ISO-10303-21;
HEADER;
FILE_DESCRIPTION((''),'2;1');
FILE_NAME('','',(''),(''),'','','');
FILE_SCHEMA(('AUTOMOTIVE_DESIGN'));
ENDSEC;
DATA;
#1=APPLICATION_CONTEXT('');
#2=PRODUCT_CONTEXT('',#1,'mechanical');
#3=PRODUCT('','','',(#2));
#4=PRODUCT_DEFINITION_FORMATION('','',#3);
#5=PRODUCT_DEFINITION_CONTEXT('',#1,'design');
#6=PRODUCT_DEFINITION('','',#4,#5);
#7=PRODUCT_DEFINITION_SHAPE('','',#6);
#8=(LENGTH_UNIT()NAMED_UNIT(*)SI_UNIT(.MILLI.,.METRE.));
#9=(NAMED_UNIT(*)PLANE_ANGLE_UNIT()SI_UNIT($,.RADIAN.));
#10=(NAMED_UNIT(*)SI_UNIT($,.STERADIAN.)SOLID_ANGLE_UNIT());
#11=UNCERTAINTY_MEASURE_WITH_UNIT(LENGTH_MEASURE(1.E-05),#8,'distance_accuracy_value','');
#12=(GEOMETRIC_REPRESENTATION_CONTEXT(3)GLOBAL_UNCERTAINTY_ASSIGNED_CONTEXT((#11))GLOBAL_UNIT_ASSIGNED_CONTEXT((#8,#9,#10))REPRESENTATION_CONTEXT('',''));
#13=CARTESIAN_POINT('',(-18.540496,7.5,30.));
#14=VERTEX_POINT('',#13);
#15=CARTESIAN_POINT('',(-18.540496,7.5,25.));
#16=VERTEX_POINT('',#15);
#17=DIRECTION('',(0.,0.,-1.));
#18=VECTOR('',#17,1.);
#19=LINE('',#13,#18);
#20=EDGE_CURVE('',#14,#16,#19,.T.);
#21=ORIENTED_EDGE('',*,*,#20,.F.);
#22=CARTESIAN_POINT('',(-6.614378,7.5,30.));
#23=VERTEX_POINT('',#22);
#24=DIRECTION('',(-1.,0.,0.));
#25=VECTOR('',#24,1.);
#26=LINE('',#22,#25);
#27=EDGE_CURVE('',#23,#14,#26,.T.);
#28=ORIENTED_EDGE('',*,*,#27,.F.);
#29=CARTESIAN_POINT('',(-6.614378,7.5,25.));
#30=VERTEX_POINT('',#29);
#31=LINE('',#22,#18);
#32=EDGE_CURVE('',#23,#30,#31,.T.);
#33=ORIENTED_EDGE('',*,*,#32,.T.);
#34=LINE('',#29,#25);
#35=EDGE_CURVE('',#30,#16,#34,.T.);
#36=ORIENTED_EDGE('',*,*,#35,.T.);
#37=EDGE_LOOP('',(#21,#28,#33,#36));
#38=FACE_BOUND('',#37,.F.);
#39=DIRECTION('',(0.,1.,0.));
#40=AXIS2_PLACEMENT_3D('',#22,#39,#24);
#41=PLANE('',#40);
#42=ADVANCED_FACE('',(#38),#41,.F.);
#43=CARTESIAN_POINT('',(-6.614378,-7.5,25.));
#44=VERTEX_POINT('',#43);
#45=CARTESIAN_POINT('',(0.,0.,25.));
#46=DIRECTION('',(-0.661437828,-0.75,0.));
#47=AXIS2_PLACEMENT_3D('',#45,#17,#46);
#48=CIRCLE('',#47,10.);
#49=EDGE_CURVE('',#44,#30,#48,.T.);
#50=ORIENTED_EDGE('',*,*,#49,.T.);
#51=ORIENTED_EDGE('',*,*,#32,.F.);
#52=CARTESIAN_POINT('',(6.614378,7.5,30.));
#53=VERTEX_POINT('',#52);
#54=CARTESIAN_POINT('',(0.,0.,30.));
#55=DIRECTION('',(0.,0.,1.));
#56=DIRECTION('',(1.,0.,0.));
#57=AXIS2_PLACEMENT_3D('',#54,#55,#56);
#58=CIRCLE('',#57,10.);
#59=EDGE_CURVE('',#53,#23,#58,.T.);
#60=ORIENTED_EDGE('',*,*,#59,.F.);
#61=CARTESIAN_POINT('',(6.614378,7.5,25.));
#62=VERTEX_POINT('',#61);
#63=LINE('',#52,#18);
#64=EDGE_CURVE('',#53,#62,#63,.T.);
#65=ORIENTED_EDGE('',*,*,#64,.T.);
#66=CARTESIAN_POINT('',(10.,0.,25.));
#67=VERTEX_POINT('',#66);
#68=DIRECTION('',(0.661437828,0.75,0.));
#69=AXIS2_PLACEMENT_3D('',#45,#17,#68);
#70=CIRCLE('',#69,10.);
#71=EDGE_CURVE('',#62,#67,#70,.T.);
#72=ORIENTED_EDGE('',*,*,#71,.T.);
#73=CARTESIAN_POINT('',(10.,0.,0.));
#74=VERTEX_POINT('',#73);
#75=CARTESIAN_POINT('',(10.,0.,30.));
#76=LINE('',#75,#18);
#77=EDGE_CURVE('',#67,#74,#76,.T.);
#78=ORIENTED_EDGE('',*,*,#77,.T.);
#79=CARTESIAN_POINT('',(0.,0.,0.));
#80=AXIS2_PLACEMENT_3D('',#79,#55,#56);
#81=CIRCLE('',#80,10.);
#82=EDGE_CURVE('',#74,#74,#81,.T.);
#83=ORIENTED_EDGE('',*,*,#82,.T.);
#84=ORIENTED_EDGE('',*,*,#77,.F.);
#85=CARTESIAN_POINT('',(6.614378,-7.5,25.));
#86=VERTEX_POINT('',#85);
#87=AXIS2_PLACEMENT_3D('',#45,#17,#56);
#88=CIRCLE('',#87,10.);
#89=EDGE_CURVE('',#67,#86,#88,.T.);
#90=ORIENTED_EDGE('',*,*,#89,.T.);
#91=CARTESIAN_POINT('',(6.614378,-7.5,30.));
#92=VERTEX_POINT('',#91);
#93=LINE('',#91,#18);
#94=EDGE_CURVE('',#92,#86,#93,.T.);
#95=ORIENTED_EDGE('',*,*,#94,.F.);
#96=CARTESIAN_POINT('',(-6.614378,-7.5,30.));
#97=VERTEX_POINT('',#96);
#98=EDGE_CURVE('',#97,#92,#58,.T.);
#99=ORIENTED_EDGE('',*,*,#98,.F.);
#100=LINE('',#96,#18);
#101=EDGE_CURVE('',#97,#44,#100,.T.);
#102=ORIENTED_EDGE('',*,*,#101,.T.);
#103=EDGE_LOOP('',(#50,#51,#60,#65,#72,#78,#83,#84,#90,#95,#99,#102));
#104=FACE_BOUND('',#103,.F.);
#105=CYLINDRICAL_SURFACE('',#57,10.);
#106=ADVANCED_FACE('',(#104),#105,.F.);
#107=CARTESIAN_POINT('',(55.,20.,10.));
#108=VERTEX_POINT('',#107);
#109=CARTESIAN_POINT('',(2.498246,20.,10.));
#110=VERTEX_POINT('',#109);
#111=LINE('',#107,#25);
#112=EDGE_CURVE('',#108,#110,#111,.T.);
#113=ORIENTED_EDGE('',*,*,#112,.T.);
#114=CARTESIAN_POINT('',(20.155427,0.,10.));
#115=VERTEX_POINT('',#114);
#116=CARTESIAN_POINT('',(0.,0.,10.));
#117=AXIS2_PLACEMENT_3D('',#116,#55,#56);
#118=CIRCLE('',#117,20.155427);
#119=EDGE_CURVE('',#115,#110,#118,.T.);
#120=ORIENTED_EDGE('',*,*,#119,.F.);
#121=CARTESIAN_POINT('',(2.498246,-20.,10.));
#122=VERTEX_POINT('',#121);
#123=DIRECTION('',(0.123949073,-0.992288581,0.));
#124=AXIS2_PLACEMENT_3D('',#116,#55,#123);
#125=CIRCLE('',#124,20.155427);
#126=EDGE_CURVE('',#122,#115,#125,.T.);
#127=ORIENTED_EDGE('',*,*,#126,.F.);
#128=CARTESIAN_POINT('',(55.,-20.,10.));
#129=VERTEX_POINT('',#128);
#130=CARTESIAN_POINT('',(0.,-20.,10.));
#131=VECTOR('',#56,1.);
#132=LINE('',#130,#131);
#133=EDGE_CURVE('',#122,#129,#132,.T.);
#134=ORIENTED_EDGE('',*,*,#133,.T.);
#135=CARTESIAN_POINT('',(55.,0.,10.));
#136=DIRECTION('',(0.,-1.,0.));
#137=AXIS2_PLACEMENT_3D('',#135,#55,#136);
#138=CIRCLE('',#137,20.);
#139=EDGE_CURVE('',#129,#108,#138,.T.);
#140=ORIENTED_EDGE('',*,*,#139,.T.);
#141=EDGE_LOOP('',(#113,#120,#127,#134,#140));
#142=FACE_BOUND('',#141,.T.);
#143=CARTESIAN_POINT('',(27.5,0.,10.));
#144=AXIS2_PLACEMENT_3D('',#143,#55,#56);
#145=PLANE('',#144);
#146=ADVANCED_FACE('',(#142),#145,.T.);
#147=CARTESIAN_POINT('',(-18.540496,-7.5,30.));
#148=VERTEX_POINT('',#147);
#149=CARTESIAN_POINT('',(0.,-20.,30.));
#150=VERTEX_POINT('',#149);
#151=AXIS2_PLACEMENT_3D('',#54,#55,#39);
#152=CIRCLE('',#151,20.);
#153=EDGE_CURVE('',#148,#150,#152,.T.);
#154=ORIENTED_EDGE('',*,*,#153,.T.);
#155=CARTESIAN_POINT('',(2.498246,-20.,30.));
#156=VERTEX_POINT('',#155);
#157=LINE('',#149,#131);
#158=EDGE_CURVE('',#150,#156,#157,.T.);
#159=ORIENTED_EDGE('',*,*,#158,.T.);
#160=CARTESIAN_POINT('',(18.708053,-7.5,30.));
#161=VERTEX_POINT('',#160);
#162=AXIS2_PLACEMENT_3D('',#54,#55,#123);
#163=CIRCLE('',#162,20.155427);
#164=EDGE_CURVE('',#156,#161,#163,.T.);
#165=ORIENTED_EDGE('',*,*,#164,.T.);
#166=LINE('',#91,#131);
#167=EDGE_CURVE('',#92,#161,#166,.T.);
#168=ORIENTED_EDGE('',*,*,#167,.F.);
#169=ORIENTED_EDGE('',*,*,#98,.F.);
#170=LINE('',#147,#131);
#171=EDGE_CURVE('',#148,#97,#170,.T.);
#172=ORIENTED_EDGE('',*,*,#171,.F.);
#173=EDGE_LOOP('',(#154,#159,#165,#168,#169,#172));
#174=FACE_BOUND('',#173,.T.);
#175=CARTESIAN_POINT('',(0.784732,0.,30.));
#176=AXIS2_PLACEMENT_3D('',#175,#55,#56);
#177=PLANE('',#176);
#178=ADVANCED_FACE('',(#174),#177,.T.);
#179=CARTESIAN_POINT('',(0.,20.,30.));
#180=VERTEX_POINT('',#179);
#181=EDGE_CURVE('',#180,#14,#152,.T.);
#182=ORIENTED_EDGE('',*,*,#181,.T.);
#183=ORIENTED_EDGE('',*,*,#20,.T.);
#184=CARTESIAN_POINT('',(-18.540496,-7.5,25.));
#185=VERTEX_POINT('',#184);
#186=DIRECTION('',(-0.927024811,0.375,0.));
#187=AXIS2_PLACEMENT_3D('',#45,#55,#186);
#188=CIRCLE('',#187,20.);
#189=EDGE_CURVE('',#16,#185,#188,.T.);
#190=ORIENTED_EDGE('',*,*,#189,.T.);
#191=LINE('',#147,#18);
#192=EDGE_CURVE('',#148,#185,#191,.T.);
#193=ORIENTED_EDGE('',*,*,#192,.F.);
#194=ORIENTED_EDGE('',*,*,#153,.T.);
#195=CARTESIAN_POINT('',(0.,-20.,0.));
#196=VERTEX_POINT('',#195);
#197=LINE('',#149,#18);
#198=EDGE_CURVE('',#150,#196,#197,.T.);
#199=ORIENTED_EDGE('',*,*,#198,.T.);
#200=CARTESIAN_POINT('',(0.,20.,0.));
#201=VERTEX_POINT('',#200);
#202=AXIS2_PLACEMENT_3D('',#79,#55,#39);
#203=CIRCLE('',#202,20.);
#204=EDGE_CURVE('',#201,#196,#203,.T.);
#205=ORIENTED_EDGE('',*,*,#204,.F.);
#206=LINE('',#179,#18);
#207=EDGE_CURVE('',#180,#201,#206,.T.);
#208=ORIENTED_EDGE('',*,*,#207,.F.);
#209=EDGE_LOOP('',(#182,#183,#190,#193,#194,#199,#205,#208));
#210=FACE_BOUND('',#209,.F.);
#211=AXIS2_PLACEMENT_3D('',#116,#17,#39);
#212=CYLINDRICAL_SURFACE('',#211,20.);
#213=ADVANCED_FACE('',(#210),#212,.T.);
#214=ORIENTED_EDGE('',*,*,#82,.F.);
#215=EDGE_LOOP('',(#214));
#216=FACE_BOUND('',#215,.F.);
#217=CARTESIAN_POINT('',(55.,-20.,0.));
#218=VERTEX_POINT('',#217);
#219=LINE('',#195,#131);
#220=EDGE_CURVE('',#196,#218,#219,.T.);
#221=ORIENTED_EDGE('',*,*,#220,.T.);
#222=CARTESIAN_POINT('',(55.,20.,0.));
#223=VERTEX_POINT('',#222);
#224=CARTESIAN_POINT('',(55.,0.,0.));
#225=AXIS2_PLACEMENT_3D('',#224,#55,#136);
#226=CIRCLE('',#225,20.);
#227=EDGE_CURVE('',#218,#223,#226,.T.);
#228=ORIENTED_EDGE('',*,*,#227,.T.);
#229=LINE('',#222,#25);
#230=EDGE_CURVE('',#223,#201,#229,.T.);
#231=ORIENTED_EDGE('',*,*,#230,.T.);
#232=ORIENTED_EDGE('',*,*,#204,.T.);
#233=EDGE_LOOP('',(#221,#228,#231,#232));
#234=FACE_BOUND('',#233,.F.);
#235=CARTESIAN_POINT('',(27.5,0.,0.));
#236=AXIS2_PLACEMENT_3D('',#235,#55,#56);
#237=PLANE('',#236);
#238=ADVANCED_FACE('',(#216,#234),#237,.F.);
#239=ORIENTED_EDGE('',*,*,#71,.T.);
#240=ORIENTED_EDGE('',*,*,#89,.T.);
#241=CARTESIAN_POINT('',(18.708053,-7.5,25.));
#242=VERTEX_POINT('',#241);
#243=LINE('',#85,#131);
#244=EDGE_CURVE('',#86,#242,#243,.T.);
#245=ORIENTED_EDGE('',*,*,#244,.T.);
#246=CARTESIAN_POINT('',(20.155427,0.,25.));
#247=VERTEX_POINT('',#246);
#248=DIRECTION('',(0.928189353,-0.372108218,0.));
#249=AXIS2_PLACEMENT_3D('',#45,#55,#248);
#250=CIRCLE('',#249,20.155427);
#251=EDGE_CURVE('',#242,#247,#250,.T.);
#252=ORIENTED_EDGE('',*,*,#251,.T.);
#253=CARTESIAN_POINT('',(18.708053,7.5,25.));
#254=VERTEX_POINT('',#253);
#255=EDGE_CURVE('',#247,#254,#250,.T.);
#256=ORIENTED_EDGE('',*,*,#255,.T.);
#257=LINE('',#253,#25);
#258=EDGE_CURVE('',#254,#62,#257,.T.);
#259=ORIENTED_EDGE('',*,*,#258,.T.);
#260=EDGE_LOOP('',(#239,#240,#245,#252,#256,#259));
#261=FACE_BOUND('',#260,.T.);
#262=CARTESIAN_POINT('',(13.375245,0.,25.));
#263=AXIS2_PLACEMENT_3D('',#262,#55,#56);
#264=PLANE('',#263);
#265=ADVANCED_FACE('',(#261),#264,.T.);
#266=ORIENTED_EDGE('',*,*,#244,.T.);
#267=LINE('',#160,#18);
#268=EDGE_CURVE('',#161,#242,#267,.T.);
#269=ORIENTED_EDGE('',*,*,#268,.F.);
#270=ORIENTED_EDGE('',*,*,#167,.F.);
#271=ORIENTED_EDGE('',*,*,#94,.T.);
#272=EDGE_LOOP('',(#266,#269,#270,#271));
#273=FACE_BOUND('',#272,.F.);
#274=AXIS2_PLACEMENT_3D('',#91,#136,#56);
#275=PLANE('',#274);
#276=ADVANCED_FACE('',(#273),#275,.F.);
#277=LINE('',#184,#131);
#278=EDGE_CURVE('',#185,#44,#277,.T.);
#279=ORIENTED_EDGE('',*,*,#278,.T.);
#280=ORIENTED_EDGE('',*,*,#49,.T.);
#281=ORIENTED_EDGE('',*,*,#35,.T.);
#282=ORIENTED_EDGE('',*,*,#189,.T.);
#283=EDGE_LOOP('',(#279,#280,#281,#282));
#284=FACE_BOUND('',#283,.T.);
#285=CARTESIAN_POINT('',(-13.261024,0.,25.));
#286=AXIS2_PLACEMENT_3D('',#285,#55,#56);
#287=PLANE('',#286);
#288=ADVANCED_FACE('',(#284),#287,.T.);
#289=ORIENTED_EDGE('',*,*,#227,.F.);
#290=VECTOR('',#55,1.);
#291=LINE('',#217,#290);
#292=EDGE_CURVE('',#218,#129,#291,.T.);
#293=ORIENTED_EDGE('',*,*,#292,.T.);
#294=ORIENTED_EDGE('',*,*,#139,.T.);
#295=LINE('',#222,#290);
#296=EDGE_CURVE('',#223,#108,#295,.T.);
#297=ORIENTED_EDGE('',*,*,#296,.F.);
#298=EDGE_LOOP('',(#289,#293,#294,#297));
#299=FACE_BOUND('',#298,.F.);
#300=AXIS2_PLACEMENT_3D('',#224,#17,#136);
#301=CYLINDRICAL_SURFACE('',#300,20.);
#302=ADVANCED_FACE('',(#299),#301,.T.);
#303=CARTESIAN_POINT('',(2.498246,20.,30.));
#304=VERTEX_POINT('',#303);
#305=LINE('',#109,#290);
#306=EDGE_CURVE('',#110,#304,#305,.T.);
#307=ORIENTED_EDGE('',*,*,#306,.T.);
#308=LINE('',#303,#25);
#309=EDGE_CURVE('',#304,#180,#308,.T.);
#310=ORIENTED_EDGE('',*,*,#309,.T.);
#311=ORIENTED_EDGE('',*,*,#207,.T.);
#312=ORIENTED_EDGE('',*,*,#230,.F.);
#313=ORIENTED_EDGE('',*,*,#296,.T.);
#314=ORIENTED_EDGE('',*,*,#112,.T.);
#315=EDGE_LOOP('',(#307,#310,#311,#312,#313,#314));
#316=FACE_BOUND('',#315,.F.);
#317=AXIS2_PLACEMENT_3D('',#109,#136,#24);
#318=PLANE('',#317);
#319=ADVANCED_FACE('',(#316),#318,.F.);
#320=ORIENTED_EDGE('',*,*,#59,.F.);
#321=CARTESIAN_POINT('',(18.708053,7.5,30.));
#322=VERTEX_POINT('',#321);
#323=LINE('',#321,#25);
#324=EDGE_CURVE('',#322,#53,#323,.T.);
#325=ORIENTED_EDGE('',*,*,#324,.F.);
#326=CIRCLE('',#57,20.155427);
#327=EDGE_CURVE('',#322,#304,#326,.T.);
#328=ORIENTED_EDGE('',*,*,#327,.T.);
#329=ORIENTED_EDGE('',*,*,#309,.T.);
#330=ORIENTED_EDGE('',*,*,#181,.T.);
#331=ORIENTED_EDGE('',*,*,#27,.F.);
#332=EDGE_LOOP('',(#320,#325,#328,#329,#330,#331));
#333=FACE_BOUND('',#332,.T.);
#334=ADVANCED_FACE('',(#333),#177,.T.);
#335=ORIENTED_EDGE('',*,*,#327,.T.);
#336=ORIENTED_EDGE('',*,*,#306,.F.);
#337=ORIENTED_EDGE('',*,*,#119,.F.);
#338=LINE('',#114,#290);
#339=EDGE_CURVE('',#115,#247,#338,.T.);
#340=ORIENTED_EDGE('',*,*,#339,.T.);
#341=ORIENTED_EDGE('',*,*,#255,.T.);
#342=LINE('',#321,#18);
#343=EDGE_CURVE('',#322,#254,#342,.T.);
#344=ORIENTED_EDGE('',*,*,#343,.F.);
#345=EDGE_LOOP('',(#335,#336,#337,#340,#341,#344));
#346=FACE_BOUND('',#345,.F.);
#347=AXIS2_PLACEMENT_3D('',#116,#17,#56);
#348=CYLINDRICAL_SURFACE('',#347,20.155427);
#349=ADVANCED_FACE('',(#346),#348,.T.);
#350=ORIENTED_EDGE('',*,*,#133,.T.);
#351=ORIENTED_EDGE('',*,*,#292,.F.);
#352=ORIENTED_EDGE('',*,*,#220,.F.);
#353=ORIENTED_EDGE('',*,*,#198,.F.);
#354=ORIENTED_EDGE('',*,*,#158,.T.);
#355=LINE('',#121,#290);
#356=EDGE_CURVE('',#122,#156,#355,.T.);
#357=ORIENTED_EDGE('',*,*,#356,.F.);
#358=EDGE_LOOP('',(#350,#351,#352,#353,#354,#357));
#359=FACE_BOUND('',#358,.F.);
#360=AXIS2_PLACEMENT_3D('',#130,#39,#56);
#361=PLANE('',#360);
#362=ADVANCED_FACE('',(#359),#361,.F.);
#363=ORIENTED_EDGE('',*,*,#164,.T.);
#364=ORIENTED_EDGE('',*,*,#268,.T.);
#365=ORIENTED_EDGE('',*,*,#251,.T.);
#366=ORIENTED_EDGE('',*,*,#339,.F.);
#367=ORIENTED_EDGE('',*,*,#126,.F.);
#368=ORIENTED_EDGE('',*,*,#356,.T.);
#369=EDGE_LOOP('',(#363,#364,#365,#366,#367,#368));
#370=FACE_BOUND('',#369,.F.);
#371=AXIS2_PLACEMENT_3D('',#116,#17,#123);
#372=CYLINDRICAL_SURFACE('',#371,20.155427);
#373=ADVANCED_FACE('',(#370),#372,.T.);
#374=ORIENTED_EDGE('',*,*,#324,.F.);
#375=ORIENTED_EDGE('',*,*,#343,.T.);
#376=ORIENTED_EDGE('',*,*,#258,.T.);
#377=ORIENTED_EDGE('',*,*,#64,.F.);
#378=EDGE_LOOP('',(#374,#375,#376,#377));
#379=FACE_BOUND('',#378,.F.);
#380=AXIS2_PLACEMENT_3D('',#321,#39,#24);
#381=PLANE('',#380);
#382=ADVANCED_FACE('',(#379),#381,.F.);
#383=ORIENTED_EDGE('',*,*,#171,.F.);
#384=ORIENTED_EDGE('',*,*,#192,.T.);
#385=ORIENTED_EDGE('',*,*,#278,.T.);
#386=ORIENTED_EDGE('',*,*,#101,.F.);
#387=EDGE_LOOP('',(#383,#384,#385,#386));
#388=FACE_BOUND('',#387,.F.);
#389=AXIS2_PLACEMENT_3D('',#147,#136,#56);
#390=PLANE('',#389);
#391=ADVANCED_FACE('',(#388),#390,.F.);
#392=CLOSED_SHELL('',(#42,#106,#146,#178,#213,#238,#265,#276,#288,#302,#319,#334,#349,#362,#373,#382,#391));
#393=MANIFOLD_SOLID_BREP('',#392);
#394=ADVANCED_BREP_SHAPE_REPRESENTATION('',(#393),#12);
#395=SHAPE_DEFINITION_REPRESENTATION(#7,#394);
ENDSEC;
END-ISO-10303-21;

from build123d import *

# Parameters (mm, degrees)
F1_DEPTH = 10
F3_DEPTH = 20
F4_R     = 10
F5_DEPTH = 30.001
F7_DEPTH = 5


with BuildPart() as f1:
    # F0 (on Top) → F1 (new body)
    with BuildSketch(Plane.XY):
        with BuildLine():
            Line((55, 20), (0, 20))
            ThreePointArc((0, 20), (-20, 0), (0, -20))
            Line((0, -20), (55, -20))
            ThreePointArc((55, -20), (75, 0), (55, 20))
        make_face()
    extrude(amount=F1_DEPTH)

    # F2 (on face) → F3 (join)
    with BuildSketch(Plane.XY.offset(10)):
        with BuildLine():
            ThreePointArc((2.4982464904, -20), (15.1095079365, -13.3395654143), (20.1554269498, 0))
            ThreePointArc((20.1554269498, 0), (15.1095079365, 13.3395654143), (2.4982464904, 20))
            Line((2.4982464904, 20), (0, 20))
            ThreePointArc((0, 20), (-20, 0), (0, -20))
            Line((0, -20), (2.4982464904, -20))
        make_face()
    extrude(amount=F3_DEPTH)

    # F4 (on face) → F5 (cut, through all)
    with BuildSketch(Plane.XY.offset(30)):
        Circle(F4_R)
    extrude(amount=-F5_DEPTH, mode=Mode.SUBTRACT)

    # F6 (on face) → F7 (cut)
    with BuildSketch(Plane.XY.offset(30)):
        with BuildLine():
            Line((-6.6143782777, 7.5), (-18.5404962177, 7.5))
            ThreePointArc((-18.5404962177, 7.5), (-20, 0), (-18.5404962177, -7.5))
            Line((-18.5404962177, -7.5), (-6.6143782777, -7.5))
            ThreePointArc((-6.6143782777, -7.5), (-10, 0), (-6.6143782777, 7.5))
        make_face()
        with BuildLine():
            Line((18.708052692, 7.5), (6.6143782777, 7.5))
            ThreePointArc((6.6143782777, 7.5), (9.1143782777, 4.1143782777), (10, 0))
            ThreePointArc((10, 0), (9.1143782777, -4.1143782777), (6.6143782777, -7.5))
            Line((6.6143782777, -7.5), (18.708052692, -7.5))
            ThreePointArc((18.708052692, -7.5), (20.1554269498, 0), (18.708052692, 7.5))
        make_face()
    extrude(amount=-F7_DEPTH, mode=Mode.SUBTRACT)


solid = f1.part
